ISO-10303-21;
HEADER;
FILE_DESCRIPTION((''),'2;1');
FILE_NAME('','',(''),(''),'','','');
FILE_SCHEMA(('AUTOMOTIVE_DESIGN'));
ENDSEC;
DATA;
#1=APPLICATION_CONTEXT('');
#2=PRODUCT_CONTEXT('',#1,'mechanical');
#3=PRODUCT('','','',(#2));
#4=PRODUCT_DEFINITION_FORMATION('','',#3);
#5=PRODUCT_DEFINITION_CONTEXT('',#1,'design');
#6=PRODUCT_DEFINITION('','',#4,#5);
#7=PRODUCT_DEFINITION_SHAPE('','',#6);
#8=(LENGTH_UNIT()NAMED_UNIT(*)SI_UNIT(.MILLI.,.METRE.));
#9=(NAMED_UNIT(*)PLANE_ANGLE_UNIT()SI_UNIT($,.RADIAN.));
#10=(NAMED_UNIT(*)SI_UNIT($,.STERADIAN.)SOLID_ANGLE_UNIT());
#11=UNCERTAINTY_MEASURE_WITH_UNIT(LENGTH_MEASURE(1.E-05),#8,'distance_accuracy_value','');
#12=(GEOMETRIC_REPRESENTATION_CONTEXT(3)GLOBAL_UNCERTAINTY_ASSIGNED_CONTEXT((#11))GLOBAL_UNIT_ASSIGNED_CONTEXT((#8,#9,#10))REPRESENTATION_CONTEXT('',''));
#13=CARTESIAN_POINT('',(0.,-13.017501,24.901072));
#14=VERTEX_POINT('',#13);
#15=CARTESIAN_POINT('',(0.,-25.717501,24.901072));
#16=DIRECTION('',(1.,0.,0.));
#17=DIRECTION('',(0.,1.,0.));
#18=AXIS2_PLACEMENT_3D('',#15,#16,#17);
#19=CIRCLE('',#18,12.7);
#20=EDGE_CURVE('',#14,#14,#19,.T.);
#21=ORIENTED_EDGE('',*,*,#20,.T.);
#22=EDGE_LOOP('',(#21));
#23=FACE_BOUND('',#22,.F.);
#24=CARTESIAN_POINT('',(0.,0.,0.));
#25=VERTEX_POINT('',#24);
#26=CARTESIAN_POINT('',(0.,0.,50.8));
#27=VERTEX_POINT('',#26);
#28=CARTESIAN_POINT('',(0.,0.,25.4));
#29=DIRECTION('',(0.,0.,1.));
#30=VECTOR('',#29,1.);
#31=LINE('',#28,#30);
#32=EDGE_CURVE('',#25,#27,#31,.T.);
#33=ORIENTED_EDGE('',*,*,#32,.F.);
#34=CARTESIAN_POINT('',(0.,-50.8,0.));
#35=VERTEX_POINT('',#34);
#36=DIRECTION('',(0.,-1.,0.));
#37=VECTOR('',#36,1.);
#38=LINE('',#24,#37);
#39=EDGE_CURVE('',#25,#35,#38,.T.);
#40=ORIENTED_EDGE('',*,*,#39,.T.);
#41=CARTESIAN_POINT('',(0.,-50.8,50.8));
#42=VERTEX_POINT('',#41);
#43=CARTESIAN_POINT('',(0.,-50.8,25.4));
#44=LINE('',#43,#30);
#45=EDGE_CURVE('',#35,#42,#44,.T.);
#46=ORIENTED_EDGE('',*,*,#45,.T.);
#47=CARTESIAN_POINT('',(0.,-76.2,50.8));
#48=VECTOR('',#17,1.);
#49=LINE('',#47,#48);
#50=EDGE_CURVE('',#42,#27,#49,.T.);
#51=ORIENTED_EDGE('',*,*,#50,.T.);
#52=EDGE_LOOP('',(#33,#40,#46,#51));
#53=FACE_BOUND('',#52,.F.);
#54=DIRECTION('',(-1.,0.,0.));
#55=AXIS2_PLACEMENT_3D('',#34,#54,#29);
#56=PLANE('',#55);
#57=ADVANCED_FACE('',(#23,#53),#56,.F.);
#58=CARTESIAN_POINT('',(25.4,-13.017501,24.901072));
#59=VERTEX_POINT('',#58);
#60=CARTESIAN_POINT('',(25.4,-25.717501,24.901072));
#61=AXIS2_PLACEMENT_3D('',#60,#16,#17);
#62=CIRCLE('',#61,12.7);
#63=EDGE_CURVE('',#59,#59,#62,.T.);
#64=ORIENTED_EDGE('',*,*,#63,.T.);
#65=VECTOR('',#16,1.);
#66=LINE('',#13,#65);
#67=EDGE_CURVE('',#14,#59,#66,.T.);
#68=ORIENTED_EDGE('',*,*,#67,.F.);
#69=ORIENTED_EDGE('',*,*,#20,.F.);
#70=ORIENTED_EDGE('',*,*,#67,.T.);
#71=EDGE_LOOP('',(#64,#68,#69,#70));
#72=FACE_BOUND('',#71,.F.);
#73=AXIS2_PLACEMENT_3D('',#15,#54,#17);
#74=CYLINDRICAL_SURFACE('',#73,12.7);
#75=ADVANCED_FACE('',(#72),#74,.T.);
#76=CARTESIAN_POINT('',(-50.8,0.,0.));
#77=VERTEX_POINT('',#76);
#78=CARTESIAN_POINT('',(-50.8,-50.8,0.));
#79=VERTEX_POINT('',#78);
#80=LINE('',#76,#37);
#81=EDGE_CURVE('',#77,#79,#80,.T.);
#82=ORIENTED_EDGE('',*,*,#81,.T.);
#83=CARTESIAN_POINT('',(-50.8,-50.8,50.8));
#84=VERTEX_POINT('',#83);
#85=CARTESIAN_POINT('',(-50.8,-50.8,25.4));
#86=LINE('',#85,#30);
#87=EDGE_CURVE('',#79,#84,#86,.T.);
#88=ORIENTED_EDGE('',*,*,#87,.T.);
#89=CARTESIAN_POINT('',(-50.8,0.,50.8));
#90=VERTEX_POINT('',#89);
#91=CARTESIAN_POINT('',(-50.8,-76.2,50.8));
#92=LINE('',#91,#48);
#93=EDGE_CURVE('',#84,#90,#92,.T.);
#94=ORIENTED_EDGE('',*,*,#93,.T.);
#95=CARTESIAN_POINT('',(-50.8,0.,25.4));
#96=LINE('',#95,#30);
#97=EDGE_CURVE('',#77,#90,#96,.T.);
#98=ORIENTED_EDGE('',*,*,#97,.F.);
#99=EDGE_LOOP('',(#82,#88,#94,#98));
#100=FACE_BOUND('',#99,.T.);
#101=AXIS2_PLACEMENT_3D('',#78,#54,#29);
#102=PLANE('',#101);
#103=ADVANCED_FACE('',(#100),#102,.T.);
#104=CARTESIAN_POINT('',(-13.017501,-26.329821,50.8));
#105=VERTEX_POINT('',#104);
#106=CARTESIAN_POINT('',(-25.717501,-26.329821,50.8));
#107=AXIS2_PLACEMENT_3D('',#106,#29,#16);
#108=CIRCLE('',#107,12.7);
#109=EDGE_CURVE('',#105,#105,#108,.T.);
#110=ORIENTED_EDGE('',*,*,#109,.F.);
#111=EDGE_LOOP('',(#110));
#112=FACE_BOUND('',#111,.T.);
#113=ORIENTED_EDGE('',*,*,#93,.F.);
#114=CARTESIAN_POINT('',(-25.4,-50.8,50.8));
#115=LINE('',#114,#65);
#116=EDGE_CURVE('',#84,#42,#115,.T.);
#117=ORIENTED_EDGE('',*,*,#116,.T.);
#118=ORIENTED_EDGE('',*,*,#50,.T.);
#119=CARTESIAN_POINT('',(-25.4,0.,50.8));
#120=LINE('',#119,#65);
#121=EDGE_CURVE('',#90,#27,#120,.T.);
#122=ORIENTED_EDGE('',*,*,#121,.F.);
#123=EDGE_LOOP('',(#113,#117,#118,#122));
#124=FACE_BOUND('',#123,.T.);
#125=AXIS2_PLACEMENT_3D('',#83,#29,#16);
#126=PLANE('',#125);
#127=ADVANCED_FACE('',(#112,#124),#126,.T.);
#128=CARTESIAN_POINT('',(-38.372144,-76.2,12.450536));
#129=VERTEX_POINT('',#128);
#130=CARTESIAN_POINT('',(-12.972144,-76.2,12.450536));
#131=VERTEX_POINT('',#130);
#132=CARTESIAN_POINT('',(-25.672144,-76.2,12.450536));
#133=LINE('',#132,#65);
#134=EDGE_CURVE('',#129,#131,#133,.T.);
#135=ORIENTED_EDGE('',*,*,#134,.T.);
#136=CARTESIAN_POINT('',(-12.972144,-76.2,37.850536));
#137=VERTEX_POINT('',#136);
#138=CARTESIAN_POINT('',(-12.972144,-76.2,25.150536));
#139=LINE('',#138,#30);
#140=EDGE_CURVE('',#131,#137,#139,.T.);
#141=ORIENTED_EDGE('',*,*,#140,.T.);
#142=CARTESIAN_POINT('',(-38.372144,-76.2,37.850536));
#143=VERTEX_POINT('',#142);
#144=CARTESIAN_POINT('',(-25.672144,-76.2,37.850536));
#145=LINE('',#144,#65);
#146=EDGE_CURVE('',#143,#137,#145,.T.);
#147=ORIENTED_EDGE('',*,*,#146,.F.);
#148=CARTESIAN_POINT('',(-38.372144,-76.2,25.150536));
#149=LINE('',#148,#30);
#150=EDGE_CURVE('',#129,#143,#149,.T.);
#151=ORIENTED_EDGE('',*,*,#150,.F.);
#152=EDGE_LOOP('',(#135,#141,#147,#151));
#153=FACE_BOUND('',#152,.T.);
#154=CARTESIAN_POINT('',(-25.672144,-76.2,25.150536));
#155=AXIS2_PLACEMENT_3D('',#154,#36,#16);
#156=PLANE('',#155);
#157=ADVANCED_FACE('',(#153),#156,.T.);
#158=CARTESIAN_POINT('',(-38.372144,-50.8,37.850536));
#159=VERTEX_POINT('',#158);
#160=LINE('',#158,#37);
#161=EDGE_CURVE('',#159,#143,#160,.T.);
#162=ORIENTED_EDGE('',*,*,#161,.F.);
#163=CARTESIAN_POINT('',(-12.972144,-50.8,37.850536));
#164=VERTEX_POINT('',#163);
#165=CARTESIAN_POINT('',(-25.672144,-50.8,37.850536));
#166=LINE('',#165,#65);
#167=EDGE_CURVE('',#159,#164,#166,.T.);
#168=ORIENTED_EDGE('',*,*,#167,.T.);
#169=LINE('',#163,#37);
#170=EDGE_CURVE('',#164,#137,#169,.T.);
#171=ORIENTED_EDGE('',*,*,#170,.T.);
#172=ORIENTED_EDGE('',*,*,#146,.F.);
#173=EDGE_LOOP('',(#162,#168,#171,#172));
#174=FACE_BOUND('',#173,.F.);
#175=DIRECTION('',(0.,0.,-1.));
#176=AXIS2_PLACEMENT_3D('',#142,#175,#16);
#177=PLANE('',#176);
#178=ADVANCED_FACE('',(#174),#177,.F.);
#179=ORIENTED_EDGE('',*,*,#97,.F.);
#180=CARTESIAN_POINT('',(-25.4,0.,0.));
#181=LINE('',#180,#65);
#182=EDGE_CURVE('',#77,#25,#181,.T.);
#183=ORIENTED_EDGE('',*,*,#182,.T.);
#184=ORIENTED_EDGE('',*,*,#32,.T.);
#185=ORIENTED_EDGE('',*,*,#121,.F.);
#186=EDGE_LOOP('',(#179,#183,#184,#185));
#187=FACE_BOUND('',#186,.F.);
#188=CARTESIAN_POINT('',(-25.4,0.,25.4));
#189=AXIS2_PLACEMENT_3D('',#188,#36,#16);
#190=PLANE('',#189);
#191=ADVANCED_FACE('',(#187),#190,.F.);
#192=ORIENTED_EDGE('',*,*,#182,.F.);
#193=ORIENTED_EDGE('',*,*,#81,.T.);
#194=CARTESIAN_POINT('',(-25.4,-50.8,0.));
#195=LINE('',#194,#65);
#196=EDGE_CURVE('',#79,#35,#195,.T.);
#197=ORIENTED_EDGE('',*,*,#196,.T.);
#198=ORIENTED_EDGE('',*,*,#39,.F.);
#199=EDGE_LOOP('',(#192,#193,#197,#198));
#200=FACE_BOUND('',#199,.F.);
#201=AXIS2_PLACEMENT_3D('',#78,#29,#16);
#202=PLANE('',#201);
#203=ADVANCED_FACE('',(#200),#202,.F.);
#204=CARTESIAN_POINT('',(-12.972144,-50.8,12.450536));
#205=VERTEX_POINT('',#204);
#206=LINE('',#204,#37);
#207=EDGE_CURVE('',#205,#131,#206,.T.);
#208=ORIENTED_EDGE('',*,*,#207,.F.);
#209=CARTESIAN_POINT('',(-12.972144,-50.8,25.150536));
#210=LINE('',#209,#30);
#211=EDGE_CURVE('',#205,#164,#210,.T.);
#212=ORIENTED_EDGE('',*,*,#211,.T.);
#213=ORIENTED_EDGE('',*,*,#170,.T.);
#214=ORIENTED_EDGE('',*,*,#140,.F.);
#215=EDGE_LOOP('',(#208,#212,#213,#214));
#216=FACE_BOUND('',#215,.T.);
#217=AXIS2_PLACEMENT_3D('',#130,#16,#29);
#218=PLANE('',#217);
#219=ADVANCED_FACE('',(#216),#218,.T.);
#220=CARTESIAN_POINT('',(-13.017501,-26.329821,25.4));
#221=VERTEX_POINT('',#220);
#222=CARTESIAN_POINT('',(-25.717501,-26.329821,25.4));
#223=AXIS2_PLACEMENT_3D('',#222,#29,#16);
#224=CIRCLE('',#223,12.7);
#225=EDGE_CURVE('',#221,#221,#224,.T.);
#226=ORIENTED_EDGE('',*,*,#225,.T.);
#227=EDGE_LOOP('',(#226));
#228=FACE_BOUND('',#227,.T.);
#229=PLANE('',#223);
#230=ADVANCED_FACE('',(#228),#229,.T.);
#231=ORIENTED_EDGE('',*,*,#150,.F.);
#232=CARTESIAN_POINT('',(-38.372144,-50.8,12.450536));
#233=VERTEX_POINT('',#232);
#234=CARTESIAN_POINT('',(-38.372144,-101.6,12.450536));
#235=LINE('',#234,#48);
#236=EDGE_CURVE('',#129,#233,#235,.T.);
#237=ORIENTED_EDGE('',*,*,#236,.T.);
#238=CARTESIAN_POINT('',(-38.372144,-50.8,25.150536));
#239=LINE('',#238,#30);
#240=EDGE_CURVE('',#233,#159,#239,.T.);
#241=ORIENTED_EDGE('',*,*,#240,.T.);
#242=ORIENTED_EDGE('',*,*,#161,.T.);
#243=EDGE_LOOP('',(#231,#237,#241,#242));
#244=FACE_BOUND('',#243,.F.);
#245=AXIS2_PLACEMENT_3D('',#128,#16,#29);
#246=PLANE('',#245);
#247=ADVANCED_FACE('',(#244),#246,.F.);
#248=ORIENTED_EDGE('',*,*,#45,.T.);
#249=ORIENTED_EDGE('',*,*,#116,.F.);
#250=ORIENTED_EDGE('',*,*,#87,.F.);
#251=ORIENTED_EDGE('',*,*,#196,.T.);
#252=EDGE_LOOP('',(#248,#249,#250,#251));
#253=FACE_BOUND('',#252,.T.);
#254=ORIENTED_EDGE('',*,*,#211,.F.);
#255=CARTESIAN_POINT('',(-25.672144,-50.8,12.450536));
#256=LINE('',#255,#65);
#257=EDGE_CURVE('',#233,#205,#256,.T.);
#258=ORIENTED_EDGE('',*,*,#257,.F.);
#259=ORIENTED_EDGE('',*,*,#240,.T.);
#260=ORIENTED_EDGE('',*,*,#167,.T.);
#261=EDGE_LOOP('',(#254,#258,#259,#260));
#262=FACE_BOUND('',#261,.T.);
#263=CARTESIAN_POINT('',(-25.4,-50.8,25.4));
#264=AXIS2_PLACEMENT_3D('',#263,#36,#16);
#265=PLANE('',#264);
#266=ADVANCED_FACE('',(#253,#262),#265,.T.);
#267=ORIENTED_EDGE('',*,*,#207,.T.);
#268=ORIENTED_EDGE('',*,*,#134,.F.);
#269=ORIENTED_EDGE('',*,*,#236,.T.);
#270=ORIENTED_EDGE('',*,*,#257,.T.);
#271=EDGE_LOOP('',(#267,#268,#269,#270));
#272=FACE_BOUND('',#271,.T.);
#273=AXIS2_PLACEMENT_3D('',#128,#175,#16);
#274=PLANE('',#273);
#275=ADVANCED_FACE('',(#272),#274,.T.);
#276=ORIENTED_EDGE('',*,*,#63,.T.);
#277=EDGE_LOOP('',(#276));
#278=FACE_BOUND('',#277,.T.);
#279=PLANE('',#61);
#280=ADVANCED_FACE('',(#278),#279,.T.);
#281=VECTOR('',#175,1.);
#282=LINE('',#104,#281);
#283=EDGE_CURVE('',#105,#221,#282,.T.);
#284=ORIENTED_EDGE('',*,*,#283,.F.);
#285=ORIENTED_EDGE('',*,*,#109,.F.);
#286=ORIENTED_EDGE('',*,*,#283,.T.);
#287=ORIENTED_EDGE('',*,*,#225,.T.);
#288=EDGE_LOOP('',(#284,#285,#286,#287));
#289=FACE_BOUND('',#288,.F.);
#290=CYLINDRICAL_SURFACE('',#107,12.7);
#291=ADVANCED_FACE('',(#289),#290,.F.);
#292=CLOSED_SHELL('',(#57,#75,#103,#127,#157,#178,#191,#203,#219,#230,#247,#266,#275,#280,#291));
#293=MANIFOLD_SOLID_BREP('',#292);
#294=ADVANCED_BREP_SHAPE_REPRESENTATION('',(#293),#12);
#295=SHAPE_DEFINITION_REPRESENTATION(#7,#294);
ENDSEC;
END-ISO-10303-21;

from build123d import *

# Parameters (mm, degrees)
F0_W      = 50.8
F0_H      = 50.8
F1_DEPTH  = 76.2
F2_DEPTH  = 25.4
F3_R      = 12.7
F4_DEPTH  = 25.4
F5_DEPTH  = 25.4
F6_W      = 25.4
F6_H      = 25.4
F7_DEPTH  = 25.4
F8_DEPTH  = 25.4
F9_DEPTH  = 25.4
F10_R     = 12.7
F11_DEPTH = 25.4


with BuildPart() as f1:
    # F0 (on Front) → F1 (new body)
    with BuildSketch(Plane.XZ):
        with Locations((-25.4, 25.4)):
            Rectangle(F0_W, F0_H)
    extrude(amount=F1_DEPTH)

    # F2 (cut): a face of the model
    f2_faces = [f1.faces().sort_by_distance(p)[0] for p in [
        (-25.4, -76.2, 25.4),
    ]]
    extrude(f2_faces, amount=-F2_DEPTH, mode=Mode.SUBTRACT)

    # F3 (on face) → F4 (cut)
    with BuildSketch(Plane.XY.offset(50.8)):
        with Locations((-25.7175005972, -26.3298209757)):
            Circle(F3_R)
    extrude(amount=-F4_DEPTH, mode=Mode.SUBTRACT)

    # F5 (add): a face of the model
    f5_faces = [f1.faces().sort_by_distance(p)[0] for p in [
        (-25.4, -50.8, 25.4),
    ]]
    extrude(f5_faces, amount=F5_DEPTH)

    # F6 (on face) → F7 (join)
    with BuildSketch(Plane.XZ.offset(76.2)):
        with Locations((-25.6721441031, 25.1505357817)):
            Rectangle(F6_W, F6_H)
    extrude(amount=F7_DEPTH)

    # F8 (cut): a face of the model
    f8_faces = [f1.faces().sort_by_distance(p)[0] for p in [
        (-25.4, -76.2, 0.7184204897),
    ]]
    extrude(f8_faces, amount=-F8_DEPTH, mode=Mode.SUBTRACT)

    # F9 (cut): a face of the model
    f9_faces = [f1.faces().sort_by_distance(p)[0] for p in [
        (-25.6721441031, -101.6, 25.1505357817),
    ]]
    extrude(f9_faces, amount=-F9_DEPTH, mode=Mode.SUBTRACT)

    # F10 (on face) → F11 (join)
    with BuildSketch(Plane.YZ):
        with Locations((-25.7175005972, 24.9010715634)):
            Circle(F10_R)
    extrude(amount=F11_DEPTH)


solid = f1.part
